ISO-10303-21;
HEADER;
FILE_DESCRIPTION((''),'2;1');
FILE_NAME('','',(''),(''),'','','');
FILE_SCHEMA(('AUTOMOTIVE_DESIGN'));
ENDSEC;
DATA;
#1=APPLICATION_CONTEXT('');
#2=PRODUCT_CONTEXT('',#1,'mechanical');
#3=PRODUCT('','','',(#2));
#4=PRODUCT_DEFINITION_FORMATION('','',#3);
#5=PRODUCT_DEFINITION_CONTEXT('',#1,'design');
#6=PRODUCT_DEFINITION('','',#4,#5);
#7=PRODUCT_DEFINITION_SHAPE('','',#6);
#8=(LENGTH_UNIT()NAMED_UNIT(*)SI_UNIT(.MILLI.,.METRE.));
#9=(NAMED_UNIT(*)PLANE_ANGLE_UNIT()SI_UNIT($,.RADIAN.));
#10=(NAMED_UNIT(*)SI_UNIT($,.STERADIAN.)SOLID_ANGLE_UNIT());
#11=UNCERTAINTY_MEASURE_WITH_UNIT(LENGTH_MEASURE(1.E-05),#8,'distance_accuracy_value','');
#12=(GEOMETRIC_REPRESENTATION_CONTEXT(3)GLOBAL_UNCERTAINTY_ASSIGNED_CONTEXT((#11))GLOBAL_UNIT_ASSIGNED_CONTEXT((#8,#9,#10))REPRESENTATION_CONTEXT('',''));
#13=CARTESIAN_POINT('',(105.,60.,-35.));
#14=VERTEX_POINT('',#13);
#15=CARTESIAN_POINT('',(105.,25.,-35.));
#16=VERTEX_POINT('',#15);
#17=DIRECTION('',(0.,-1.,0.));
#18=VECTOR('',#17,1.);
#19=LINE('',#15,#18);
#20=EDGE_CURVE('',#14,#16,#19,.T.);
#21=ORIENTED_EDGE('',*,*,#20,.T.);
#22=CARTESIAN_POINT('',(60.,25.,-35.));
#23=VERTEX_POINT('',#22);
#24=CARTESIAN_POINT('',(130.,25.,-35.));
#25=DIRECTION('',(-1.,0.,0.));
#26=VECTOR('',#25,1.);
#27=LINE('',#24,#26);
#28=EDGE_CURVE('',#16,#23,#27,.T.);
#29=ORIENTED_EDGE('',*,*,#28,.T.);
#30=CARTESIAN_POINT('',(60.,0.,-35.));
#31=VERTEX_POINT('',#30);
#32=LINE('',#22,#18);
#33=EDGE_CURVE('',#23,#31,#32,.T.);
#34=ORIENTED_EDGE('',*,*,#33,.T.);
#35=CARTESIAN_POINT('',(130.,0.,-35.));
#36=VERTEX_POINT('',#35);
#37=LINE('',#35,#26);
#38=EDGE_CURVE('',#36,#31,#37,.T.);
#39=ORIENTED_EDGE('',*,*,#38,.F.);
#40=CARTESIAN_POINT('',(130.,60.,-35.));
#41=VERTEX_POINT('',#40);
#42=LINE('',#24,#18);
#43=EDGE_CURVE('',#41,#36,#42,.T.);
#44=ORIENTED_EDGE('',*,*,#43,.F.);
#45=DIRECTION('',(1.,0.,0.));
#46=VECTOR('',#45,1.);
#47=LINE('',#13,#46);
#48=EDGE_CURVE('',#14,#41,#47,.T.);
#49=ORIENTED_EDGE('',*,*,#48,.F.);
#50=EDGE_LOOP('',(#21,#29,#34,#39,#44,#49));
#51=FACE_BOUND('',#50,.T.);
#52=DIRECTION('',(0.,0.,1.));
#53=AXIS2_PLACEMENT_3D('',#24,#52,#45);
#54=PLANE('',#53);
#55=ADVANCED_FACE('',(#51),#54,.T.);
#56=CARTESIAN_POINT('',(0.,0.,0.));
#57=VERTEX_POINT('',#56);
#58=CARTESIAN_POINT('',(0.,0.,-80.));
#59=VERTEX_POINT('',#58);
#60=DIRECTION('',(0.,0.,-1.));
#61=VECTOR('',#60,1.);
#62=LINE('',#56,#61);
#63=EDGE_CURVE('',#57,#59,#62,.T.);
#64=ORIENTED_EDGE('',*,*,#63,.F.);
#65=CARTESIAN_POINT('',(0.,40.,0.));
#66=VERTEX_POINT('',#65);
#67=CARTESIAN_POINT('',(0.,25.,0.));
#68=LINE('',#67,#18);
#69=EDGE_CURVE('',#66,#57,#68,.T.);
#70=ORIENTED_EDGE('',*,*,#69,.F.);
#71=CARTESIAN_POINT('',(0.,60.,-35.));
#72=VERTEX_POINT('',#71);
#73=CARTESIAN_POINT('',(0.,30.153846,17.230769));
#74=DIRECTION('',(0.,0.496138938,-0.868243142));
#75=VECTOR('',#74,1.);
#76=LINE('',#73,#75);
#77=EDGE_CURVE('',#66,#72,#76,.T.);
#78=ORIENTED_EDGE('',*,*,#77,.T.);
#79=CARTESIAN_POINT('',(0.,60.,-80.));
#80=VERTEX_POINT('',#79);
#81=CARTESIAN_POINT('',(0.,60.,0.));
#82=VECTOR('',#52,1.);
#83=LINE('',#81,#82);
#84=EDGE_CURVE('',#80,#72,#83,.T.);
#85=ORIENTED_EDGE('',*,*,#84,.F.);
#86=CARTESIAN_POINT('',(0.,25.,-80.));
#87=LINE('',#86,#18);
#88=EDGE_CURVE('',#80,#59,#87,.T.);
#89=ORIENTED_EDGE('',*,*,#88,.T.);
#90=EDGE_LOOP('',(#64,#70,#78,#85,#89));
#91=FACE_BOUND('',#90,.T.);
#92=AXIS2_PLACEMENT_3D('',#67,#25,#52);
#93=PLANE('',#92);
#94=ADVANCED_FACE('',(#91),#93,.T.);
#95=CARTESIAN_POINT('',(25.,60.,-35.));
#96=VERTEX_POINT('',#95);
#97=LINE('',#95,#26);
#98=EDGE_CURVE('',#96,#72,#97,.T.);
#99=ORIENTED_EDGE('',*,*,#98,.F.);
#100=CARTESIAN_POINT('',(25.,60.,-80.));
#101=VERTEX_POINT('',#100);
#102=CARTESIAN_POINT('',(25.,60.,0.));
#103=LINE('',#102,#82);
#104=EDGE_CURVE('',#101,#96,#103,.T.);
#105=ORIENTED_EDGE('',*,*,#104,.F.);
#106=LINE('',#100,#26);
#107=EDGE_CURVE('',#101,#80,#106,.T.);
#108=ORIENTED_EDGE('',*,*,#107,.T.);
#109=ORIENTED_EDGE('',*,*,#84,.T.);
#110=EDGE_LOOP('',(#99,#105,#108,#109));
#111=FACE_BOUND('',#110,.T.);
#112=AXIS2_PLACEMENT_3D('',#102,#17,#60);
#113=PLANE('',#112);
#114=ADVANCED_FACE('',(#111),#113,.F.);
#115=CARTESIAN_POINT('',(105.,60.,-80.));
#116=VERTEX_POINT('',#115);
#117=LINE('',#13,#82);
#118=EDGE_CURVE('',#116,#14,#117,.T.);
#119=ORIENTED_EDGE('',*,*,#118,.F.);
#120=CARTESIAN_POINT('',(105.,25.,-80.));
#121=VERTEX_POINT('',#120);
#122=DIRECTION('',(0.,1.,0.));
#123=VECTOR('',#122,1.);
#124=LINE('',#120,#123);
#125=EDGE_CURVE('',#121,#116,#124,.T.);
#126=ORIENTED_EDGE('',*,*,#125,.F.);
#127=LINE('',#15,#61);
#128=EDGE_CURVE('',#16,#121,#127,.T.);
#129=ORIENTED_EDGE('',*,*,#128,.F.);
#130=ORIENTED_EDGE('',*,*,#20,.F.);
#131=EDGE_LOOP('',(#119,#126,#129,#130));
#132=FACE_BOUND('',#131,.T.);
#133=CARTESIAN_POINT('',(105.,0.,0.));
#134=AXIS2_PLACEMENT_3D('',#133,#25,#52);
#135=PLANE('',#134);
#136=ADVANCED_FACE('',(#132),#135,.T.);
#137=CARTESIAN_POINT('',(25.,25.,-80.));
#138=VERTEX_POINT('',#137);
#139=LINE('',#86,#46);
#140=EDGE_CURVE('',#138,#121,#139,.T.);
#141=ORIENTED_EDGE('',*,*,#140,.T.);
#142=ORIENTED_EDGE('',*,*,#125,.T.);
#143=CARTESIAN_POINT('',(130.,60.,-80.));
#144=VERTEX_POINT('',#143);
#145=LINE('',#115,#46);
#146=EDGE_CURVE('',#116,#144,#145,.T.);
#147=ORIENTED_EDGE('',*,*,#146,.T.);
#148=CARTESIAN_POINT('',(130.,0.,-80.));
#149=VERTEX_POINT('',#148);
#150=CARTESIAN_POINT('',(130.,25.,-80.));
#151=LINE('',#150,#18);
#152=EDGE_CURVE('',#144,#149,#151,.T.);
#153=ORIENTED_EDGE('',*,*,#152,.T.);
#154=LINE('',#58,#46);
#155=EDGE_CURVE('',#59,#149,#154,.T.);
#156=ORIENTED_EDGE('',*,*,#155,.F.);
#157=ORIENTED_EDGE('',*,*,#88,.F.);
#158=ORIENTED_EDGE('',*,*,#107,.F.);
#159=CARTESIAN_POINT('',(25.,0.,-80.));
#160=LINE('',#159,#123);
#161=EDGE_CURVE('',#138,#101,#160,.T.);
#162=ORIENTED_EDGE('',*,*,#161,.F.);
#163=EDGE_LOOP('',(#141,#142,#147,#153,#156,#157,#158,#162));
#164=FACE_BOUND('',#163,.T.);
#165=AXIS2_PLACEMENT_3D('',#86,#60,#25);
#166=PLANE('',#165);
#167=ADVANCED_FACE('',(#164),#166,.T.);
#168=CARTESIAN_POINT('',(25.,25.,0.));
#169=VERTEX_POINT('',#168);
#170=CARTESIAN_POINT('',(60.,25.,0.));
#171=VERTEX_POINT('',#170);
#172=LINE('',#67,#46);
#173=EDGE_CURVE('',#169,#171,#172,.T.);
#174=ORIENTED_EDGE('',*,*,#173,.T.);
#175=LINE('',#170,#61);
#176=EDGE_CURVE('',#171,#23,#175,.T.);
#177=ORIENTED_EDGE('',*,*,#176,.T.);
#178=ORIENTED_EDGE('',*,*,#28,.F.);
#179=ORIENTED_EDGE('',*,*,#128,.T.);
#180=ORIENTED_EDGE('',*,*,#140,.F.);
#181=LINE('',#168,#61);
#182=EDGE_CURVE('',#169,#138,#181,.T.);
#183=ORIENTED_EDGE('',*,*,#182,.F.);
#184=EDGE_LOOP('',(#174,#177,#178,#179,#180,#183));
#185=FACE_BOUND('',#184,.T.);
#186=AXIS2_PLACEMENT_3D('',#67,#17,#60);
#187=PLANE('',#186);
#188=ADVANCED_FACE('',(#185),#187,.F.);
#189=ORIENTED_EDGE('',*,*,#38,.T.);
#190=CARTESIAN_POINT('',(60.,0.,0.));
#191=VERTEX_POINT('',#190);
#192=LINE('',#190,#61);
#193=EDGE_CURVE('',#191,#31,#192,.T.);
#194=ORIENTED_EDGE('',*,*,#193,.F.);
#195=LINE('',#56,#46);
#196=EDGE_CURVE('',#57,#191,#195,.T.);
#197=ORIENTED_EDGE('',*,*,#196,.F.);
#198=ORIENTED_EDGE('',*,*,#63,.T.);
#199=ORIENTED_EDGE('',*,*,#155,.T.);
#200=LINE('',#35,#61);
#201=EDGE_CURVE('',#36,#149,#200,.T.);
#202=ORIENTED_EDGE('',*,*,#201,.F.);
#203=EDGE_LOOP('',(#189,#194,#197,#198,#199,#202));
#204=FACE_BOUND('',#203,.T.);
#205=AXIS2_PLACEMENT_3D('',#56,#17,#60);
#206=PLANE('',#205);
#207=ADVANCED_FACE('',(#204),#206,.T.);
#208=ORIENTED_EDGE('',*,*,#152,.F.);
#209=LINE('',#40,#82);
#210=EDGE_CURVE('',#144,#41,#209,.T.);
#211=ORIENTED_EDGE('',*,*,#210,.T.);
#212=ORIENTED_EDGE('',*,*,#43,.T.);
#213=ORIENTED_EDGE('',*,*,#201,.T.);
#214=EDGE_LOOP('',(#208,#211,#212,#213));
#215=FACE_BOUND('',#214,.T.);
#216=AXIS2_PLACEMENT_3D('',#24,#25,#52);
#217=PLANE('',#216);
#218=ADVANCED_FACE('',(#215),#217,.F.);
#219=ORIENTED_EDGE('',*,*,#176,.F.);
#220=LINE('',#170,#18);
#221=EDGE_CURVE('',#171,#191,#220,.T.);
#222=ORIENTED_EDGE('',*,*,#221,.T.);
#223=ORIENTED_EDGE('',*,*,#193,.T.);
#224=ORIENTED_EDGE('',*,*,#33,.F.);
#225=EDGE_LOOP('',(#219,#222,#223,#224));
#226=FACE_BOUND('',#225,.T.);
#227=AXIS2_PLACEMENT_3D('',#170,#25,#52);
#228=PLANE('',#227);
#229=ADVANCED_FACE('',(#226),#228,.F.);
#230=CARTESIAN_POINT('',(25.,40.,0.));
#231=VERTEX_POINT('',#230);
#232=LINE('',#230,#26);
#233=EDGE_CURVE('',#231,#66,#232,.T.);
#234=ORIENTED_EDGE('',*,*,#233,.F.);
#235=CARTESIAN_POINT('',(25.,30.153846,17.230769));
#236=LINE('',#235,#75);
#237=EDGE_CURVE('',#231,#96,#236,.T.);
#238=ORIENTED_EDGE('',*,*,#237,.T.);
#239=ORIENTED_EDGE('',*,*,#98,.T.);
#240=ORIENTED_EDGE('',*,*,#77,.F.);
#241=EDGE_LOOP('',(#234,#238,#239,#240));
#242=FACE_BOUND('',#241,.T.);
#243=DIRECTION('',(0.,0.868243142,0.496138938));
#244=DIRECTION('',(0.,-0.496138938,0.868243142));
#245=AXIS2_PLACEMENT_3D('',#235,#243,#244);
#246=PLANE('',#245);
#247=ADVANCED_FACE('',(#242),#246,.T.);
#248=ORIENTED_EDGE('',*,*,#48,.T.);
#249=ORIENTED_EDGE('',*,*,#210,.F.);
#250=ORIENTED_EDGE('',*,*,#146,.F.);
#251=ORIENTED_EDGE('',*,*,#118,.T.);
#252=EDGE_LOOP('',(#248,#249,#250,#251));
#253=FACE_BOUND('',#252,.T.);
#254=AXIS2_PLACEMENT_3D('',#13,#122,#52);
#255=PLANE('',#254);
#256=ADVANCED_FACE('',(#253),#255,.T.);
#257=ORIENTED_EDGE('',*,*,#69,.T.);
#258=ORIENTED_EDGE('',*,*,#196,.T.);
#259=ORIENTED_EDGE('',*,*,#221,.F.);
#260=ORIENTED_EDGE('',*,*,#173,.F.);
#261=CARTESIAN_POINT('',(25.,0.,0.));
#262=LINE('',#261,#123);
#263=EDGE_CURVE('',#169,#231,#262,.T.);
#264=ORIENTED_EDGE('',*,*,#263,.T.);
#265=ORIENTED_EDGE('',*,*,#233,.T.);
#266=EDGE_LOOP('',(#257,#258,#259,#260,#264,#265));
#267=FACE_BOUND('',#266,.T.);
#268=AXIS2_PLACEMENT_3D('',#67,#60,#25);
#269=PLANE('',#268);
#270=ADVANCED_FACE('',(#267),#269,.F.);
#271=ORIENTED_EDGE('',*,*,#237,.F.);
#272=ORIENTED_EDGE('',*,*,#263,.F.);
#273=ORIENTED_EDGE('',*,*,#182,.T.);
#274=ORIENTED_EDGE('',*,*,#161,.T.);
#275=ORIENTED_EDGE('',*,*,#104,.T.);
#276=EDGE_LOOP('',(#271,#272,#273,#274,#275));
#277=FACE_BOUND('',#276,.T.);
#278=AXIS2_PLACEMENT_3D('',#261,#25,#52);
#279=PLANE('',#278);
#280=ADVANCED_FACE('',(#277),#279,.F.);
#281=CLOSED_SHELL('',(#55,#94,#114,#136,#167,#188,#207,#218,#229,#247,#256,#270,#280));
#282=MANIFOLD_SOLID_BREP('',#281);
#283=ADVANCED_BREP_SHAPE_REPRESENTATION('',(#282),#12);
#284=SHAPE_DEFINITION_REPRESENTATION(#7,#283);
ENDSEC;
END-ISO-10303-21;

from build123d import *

# Parameters (mm, degrees)
BOSS_EXTRUDE1_DEPTH = 25
BOSS_EXTRUDE2_DEPTH = 25
SKETCH3_W           = 45
SKETCH3_H           = 35
BOSS_EXTRUDE3_DEPTH = 25


with BuildPart() as part:
    # Sketch1 → Boss-Extrude1 (new body)
    with BuildSketch(Plane(origin=(0, 0, 0), x_dir=(1, 0, 0), z_dir=(0, 1, 0))):
        Polygon((0, 0), (60, 0), (60, 35), (130, 35), (130, 80), (0, 80), align=None)
    extrude(amount=BOSS_EXTRUDE1_DEPTH)

    # Sketch2 → Boss-Extrude2 (add)
    with BuildSketch(Plane.ZY):
        Polygon((0, 40), (-35, 60), (-80, 60), (-80, 25), (0, 25), align=None)
    extrude(amount=-BOSS_EXTRUDE2_DEPTH)

    # Sketch3 → Boss-Extrude3 (add)
    with BuildSketch(Plane(origin=(130, 0, 0), x_dir=(0, 0, -1), z_dir=(1, 0, 0))):
        with Locations((57.5, 42.5)):
            Rectangle(SKETCH3_W, SKETCH3_H)
    extrude(amount=-BOSS_EXTRUDE3_DEPTH)


solid = part.part
